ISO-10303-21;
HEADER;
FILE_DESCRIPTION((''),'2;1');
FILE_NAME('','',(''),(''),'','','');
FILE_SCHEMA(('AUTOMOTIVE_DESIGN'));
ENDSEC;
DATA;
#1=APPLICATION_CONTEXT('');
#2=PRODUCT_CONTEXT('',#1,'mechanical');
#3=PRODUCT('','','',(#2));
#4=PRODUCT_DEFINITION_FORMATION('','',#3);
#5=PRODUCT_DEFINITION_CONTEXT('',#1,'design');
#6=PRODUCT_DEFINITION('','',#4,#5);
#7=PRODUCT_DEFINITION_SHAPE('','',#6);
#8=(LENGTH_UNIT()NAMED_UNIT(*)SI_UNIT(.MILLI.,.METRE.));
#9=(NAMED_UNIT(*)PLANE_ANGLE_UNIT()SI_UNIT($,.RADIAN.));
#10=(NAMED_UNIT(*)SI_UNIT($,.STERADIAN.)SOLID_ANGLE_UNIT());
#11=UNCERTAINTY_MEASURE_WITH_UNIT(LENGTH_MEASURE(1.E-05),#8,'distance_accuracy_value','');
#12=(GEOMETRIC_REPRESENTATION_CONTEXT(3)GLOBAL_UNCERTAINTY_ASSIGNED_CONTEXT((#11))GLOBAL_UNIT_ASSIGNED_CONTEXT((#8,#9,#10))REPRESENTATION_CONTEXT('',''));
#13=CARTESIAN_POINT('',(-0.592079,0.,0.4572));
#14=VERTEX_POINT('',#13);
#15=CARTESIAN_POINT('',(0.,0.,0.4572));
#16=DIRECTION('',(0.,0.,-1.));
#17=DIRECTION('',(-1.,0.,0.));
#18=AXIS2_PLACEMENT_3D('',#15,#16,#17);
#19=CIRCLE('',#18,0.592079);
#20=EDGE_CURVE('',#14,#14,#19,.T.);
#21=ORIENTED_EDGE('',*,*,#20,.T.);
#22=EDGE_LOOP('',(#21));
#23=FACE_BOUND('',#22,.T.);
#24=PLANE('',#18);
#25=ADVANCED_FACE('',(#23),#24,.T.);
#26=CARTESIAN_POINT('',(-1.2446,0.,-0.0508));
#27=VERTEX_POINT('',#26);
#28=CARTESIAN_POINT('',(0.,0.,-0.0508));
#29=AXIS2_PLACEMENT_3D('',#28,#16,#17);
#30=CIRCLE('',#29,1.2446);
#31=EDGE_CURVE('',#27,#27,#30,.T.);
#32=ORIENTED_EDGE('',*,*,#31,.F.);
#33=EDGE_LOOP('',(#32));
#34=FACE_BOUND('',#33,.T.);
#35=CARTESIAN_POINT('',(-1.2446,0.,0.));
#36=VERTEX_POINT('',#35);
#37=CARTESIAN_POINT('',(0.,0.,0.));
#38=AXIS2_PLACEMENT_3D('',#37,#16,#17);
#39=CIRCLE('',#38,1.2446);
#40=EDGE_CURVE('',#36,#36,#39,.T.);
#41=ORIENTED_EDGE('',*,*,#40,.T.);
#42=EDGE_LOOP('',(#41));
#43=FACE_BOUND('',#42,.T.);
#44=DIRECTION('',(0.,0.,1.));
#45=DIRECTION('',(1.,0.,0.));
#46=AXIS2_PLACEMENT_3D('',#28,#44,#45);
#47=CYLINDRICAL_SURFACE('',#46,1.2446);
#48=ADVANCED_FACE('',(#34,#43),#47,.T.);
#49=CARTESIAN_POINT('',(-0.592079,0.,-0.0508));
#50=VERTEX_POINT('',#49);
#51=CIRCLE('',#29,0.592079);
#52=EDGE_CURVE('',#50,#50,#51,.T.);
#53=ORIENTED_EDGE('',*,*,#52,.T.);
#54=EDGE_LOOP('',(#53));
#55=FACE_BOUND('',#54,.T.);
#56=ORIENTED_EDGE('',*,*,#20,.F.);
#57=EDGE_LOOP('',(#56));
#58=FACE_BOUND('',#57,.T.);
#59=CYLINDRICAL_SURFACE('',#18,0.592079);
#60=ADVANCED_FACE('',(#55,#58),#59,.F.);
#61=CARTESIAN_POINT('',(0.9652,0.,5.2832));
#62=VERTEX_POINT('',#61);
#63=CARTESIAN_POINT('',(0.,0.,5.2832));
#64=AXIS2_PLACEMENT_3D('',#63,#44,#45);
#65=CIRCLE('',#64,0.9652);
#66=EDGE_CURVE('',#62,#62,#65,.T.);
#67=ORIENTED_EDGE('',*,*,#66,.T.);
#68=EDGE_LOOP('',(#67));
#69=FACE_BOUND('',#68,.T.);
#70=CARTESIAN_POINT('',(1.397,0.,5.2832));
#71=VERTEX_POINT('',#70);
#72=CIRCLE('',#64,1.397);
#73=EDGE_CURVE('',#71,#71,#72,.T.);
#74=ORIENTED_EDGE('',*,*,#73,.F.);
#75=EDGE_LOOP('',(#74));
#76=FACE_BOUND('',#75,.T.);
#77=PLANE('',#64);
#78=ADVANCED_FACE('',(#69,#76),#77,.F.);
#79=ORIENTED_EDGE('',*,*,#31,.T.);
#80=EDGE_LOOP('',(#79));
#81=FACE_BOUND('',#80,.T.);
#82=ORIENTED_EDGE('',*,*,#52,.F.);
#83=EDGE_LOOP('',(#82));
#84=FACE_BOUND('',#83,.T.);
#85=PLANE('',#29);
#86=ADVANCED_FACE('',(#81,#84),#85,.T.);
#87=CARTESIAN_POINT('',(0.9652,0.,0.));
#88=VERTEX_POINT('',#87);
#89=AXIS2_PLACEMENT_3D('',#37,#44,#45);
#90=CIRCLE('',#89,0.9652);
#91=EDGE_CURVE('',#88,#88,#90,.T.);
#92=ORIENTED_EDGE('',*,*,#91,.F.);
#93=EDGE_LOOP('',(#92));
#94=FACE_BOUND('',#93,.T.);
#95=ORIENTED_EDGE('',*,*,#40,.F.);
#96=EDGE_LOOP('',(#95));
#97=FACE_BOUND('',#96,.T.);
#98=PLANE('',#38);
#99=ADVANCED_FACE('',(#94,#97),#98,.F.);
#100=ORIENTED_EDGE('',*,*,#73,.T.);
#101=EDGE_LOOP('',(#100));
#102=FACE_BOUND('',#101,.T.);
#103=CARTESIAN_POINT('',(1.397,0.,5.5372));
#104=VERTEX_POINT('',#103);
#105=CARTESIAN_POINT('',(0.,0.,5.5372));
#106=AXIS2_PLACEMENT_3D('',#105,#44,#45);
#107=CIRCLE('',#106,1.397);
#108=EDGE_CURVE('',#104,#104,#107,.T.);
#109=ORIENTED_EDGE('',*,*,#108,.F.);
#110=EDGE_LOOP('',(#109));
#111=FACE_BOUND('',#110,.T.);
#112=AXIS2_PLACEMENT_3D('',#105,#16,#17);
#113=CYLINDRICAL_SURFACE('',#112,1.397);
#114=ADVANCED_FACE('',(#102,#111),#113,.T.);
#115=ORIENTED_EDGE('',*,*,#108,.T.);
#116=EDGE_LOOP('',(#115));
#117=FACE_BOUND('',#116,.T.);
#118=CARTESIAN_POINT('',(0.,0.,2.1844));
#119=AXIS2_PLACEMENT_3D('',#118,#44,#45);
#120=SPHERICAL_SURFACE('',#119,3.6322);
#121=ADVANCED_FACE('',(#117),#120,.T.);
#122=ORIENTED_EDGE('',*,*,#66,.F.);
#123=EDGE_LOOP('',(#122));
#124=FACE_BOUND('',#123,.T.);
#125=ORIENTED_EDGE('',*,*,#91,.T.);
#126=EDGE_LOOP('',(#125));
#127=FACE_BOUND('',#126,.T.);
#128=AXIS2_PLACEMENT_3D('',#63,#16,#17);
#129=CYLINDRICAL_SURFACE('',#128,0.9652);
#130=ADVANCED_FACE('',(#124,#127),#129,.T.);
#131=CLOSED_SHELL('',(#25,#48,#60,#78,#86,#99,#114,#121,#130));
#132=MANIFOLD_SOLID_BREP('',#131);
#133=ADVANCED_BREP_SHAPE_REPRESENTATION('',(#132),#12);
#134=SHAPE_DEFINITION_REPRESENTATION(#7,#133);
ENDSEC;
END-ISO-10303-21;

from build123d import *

# Parameters (mm, degrees)
SKETCH1_R           = 0.9652
BOSS_EXTRUDE1_DEPTH = 5.2832
SKETCH2_R           = 1.397
BOSS_EXTRUDE2_DEPTH = 0.254
DOME1_FACE_RADIUS   = 1.397
DOME1_HEIGHT        = 0.2794
SKETCH3_R           = 1.2446
BOSS_EXTRUDE3_DEPTH = 0.0508
SKETCH4_R           = 0.592078561
CUT_EXTRUDE1_DEPTH  = 0.508


with BuildPart() as part:
    # Sketch1 → Boss-Extrude1 (new body)
    with BuildSketch(Plane.XY):
        Circle(SKETCH1_R)
    extrude(amount=BOSS_EXTRUDE1_DEPTH)

    # Sketch2 → Boss-Extrude2 (add)
    with BuildSketch(Plane.XY.offset(5.2832)):
        Circle(SKETCH2_R)
    extrude(amount=BOSS_EXTRUDE2_DEPTH)

    # Dome1: a dome of height H over a round flat face of radius A is a cap of a sphere of radius (A * A + H * H) / (2 * H)
    dome1_r = (DOME1_FACE_RADIUS * DOME1_FACE_RADIUS + DOME1_HEIGHT * DOME1_HEIGHT) / (2 * DOME1_HEIGHT)
    dome1_base = Plane((0, 0, 5.5372), z_dir=(0, 0, 1))
    with Locations(dome1_base.offset(DOME1_HEIGHT - dome1_r)):
        dome1_ball = Sphere(dome1_r, mode=Mode.PRIVATE)
    add(split(dome1_ball, bisect_by=dome1_base, keep=Keep.TOP, mode=Mode.PRIVATE))

    # Sketch3 → Boss-Extrude3 (add)
    with BuildSketch(Plane(origin=(0, 0, 0), x_dir=(-1, 0, 0), z_dir=(0, 0, -1))):
        Circle(SKETCH3_R)
    extrude(amount=BOSS_EXTRUDE3_DEPTH)

    # Sketch4 → Cut-Extrude1 (cut)
    with BuildSketch(Plane(origin=(0, 0, -0.0508), x_dir=(-1, 0, 0), z_dir=(0, 0, -1))):
        Circle(SKETCH4_R)
    extrude(amount=-CUT_EXTRUDE1_DEPTH, mode=Mode.SUBTRACT)


solid = part.part
